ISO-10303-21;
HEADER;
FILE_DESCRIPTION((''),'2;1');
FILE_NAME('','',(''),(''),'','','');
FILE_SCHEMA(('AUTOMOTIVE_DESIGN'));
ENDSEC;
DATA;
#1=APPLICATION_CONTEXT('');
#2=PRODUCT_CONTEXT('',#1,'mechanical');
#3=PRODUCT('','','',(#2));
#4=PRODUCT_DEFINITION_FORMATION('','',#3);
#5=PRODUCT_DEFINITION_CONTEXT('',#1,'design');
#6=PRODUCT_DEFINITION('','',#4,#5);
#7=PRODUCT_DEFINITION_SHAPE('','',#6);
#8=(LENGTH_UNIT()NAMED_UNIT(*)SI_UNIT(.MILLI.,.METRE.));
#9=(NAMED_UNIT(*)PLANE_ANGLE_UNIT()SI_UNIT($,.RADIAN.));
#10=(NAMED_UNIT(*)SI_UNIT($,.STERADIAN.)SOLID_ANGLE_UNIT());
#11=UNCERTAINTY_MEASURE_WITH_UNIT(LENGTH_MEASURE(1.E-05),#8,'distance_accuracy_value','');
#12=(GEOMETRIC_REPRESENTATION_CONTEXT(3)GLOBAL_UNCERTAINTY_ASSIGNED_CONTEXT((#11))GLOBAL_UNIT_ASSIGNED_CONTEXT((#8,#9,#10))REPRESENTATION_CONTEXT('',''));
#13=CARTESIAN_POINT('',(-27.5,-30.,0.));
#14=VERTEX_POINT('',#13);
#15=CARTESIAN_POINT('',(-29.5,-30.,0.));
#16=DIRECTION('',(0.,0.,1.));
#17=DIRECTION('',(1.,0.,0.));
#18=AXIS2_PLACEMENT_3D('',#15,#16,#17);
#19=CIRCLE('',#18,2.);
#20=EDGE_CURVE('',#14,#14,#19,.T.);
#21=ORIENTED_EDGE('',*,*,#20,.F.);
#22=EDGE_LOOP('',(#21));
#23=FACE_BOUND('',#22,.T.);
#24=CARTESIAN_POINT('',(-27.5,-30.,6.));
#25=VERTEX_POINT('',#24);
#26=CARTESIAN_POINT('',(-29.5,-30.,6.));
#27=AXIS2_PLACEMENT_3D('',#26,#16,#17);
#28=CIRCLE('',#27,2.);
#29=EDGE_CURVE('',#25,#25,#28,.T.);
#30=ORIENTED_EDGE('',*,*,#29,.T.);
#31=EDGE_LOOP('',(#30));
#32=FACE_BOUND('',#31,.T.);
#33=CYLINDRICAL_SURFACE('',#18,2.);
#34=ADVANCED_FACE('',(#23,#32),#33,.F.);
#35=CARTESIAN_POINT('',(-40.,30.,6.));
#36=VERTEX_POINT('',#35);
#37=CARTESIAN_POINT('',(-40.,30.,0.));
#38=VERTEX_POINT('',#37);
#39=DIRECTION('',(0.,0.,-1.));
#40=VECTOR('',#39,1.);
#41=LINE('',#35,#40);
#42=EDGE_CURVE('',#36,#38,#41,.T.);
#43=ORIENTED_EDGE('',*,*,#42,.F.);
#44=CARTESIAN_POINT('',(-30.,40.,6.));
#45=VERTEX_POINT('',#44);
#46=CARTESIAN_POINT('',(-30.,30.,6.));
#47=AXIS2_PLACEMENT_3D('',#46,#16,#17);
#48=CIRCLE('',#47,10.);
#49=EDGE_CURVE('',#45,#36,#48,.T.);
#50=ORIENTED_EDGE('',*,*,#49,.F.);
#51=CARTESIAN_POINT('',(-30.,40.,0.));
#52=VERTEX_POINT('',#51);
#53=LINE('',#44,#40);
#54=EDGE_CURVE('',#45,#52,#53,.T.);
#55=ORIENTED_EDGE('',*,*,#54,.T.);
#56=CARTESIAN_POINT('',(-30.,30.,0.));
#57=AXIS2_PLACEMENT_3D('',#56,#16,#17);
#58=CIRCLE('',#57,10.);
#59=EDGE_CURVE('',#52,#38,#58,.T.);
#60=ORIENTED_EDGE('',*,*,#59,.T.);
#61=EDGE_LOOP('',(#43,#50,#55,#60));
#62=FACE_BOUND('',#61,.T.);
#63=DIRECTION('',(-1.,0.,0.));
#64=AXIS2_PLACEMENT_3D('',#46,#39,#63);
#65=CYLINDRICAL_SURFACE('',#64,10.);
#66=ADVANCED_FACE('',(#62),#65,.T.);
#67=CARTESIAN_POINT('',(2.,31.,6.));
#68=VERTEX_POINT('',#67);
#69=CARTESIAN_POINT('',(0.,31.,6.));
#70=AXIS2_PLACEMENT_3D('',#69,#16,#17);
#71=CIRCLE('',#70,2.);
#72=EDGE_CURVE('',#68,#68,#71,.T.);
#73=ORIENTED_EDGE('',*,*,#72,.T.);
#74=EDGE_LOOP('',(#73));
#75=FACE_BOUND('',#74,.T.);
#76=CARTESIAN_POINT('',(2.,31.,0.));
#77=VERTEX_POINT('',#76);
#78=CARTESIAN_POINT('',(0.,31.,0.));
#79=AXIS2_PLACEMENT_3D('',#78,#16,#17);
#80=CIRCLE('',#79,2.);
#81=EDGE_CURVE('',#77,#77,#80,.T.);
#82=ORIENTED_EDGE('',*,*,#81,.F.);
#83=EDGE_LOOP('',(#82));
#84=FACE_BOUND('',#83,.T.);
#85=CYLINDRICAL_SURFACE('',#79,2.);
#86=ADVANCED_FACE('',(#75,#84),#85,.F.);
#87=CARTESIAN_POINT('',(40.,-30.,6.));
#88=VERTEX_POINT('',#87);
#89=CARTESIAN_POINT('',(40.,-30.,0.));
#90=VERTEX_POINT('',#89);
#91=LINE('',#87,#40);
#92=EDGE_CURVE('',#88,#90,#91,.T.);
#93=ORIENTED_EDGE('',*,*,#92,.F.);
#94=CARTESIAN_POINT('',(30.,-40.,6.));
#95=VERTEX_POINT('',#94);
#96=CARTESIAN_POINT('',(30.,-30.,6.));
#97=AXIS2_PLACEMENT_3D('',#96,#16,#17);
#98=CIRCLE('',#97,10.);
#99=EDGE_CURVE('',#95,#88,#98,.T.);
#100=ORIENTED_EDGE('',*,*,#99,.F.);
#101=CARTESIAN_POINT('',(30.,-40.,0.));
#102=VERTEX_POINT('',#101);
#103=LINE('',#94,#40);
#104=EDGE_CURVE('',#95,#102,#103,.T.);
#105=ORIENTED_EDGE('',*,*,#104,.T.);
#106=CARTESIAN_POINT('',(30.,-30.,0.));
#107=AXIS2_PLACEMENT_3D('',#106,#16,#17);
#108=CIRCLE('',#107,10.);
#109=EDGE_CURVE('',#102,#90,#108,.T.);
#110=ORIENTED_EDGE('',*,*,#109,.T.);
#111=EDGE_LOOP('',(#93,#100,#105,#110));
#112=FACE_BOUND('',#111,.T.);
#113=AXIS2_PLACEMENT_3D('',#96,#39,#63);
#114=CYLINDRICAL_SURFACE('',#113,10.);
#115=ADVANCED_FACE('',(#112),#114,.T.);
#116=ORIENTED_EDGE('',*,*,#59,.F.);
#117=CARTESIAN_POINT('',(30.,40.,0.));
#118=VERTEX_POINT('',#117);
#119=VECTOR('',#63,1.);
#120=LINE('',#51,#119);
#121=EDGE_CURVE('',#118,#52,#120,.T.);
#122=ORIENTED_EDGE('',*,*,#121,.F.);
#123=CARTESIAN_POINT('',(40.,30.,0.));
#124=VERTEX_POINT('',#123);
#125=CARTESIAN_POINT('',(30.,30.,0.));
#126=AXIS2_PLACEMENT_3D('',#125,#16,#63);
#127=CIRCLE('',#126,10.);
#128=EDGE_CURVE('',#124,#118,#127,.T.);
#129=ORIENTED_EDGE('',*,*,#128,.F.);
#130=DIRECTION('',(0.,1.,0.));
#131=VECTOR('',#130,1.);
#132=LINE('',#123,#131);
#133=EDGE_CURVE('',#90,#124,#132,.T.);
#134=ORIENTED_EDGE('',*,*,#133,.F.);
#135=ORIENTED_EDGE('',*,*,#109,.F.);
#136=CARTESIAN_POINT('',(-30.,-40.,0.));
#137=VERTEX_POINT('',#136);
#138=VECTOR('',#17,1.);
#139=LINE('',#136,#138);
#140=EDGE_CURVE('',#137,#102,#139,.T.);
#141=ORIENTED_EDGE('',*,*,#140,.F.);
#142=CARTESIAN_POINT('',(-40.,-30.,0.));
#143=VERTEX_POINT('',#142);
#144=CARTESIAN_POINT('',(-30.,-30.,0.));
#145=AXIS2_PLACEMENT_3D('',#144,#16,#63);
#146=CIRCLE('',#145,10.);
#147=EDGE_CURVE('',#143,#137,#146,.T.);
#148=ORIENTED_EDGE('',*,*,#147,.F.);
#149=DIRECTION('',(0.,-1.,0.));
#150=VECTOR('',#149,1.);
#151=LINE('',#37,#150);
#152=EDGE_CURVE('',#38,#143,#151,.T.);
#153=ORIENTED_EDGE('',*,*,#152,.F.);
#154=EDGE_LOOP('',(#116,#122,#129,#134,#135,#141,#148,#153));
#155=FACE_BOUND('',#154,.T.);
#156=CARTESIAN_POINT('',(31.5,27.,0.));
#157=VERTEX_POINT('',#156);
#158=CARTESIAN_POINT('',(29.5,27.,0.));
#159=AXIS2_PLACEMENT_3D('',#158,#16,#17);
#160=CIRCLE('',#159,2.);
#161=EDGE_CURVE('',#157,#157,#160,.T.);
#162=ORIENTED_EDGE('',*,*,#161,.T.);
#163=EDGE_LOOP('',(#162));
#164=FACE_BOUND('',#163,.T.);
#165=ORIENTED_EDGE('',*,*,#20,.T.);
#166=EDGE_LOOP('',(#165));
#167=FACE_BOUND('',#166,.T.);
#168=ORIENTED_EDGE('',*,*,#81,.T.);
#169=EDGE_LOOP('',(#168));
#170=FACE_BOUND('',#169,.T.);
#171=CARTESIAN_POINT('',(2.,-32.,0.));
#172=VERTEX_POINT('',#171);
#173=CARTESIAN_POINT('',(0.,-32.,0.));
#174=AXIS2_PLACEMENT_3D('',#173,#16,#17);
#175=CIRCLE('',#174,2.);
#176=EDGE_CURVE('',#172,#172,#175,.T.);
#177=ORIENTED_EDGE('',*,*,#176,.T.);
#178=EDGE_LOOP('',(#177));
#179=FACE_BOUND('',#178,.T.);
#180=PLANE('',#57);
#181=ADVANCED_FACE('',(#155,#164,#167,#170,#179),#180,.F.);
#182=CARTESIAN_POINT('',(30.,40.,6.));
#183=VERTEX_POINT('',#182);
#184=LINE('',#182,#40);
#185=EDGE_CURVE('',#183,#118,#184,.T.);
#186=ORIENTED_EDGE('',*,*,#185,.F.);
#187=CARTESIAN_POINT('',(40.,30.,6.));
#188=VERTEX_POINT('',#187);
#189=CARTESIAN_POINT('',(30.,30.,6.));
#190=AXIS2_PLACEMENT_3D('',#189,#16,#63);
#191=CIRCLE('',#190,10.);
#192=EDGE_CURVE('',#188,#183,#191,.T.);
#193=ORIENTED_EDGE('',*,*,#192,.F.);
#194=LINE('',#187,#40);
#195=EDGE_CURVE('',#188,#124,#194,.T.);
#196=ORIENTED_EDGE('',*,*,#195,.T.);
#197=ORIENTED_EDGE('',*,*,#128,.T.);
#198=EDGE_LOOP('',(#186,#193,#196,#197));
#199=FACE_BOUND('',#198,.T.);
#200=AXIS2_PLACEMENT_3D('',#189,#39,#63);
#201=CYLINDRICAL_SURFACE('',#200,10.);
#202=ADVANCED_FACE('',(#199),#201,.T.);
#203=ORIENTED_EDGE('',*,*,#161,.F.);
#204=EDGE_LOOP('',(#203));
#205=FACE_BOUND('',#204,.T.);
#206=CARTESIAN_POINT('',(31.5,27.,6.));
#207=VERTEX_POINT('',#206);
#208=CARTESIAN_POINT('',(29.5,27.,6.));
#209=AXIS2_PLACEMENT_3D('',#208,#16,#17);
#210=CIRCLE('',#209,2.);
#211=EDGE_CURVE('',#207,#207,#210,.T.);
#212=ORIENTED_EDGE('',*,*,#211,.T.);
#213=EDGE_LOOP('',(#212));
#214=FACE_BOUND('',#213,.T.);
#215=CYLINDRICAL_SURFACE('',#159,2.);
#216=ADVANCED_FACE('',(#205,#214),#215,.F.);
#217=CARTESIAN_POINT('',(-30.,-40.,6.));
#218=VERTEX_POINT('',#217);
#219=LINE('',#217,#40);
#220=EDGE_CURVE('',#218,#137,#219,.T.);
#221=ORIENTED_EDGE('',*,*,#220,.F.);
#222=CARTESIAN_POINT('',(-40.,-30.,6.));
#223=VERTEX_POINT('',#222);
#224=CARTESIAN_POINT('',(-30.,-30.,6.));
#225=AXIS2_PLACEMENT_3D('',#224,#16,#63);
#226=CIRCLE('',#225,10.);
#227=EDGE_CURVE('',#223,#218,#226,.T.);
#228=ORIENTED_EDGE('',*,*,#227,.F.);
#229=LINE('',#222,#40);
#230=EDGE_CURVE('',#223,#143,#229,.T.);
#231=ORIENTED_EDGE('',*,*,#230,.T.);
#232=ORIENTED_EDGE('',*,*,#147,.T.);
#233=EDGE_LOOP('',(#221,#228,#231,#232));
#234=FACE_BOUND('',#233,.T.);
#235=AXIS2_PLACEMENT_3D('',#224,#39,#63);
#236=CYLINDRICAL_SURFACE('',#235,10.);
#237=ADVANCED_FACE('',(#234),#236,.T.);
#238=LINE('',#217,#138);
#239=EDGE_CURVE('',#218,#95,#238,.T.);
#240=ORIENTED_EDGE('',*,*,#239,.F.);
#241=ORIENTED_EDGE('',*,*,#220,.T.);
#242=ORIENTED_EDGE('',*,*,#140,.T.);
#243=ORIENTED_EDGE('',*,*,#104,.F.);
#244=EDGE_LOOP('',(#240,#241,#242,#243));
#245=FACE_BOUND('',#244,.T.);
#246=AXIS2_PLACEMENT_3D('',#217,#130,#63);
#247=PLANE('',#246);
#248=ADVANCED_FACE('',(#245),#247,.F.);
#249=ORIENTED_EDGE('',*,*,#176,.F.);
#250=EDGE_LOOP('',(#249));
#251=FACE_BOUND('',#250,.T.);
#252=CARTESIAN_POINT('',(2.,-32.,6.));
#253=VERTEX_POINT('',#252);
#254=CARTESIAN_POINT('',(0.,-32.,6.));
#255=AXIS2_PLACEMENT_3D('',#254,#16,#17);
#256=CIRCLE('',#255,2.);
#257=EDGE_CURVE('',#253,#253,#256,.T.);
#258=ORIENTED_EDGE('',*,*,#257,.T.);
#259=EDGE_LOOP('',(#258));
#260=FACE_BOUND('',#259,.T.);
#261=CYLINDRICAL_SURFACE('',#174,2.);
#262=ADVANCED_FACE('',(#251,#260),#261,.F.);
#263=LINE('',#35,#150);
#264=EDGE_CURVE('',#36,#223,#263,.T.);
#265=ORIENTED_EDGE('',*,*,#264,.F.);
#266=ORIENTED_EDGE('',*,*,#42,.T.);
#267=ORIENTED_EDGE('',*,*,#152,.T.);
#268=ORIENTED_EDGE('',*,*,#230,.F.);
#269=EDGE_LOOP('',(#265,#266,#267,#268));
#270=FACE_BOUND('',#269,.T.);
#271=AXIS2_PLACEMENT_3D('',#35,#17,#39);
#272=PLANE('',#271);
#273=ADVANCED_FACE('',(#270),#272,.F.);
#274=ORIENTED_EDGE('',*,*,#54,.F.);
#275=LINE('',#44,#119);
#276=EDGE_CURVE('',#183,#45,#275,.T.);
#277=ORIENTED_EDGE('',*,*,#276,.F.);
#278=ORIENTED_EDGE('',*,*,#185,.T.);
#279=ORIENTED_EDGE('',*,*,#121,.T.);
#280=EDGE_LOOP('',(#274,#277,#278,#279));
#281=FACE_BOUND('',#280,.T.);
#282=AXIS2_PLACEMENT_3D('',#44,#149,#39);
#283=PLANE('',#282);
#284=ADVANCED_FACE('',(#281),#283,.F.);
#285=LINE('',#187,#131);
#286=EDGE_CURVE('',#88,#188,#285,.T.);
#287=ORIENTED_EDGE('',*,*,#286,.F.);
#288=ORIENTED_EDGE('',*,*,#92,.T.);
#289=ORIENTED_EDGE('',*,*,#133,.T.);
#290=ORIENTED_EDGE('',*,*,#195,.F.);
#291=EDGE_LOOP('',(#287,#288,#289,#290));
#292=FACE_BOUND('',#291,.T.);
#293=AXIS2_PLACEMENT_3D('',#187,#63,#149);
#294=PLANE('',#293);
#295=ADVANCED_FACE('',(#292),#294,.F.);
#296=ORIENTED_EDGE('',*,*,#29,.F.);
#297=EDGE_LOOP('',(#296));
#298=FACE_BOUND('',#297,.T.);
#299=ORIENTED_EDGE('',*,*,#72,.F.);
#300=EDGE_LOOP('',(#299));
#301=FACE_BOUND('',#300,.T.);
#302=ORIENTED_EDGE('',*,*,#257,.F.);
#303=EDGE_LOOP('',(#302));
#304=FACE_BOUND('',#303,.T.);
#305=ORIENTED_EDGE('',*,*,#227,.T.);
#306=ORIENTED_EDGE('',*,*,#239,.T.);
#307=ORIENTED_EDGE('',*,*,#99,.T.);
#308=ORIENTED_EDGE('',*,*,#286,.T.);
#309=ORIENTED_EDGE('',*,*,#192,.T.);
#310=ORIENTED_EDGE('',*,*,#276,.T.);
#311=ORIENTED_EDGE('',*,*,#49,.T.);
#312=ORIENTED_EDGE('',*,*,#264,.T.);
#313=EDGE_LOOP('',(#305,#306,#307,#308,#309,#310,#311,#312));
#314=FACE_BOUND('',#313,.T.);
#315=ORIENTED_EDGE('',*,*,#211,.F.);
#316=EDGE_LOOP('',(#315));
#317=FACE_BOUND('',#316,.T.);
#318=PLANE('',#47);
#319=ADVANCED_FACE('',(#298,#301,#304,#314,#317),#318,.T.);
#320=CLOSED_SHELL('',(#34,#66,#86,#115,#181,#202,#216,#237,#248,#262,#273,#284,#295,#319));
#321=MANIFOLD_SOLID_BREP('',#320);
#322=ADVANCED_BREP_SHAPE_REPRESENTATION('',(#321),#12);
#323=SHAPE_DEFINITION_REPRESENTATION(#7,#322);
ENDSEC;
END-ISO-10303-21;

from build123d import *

# Parameters (mm, degrees)
BODY_DEPTH           = 6
SKETCH3_R            = 2
MOUNTING_HOLES_DEPTH = 57.885850613


with BuildPart() as part:
    # Sketch1 → Body (new body)
    with BuildSketch(Plane.XY):
        with BuildLine():
            Line((-30, 40), (30, 40))
            ThreePointArc((30, 40), (37.071067812, 37.071067812), (40, 30))
            Line((40, 30), (40, -30))
            ThreePointArc((40, -30), (37.071067812, -37.071067812), (30, -40))
            Line((30, -40), (-30, -40))
            ThreePointArc((-30, -40), (-37.071067812, -37.071067812), (-40, -30))
            Line((-40, -30), (-40, 30))
            ThreePointArc((-40, 30), (-37.071067812, 37.071067812), (-30, 40))
        make_face()
    extrude(amount=BODY_DEPTH)

    # Sketch3 → Mounting holes (cut, through all)
    with BuildSketch(Plane.XY.offset(6)):
        with Locations((0, 31)):
            Circle(SKETCH3_R)
        with Locations((29.5, 27)):
            Circle(SKETCH3_R)
        with Locations((0, -32)):
            Circle(SKETCH3_R)
        with Locations((-29.5, -30)):
            Circle(SKETCH3_R)
    extrude(amount=-MOUNTING_HOLES_DEPTH, mode=Mode.SUBTRACT)


solid = part.part
